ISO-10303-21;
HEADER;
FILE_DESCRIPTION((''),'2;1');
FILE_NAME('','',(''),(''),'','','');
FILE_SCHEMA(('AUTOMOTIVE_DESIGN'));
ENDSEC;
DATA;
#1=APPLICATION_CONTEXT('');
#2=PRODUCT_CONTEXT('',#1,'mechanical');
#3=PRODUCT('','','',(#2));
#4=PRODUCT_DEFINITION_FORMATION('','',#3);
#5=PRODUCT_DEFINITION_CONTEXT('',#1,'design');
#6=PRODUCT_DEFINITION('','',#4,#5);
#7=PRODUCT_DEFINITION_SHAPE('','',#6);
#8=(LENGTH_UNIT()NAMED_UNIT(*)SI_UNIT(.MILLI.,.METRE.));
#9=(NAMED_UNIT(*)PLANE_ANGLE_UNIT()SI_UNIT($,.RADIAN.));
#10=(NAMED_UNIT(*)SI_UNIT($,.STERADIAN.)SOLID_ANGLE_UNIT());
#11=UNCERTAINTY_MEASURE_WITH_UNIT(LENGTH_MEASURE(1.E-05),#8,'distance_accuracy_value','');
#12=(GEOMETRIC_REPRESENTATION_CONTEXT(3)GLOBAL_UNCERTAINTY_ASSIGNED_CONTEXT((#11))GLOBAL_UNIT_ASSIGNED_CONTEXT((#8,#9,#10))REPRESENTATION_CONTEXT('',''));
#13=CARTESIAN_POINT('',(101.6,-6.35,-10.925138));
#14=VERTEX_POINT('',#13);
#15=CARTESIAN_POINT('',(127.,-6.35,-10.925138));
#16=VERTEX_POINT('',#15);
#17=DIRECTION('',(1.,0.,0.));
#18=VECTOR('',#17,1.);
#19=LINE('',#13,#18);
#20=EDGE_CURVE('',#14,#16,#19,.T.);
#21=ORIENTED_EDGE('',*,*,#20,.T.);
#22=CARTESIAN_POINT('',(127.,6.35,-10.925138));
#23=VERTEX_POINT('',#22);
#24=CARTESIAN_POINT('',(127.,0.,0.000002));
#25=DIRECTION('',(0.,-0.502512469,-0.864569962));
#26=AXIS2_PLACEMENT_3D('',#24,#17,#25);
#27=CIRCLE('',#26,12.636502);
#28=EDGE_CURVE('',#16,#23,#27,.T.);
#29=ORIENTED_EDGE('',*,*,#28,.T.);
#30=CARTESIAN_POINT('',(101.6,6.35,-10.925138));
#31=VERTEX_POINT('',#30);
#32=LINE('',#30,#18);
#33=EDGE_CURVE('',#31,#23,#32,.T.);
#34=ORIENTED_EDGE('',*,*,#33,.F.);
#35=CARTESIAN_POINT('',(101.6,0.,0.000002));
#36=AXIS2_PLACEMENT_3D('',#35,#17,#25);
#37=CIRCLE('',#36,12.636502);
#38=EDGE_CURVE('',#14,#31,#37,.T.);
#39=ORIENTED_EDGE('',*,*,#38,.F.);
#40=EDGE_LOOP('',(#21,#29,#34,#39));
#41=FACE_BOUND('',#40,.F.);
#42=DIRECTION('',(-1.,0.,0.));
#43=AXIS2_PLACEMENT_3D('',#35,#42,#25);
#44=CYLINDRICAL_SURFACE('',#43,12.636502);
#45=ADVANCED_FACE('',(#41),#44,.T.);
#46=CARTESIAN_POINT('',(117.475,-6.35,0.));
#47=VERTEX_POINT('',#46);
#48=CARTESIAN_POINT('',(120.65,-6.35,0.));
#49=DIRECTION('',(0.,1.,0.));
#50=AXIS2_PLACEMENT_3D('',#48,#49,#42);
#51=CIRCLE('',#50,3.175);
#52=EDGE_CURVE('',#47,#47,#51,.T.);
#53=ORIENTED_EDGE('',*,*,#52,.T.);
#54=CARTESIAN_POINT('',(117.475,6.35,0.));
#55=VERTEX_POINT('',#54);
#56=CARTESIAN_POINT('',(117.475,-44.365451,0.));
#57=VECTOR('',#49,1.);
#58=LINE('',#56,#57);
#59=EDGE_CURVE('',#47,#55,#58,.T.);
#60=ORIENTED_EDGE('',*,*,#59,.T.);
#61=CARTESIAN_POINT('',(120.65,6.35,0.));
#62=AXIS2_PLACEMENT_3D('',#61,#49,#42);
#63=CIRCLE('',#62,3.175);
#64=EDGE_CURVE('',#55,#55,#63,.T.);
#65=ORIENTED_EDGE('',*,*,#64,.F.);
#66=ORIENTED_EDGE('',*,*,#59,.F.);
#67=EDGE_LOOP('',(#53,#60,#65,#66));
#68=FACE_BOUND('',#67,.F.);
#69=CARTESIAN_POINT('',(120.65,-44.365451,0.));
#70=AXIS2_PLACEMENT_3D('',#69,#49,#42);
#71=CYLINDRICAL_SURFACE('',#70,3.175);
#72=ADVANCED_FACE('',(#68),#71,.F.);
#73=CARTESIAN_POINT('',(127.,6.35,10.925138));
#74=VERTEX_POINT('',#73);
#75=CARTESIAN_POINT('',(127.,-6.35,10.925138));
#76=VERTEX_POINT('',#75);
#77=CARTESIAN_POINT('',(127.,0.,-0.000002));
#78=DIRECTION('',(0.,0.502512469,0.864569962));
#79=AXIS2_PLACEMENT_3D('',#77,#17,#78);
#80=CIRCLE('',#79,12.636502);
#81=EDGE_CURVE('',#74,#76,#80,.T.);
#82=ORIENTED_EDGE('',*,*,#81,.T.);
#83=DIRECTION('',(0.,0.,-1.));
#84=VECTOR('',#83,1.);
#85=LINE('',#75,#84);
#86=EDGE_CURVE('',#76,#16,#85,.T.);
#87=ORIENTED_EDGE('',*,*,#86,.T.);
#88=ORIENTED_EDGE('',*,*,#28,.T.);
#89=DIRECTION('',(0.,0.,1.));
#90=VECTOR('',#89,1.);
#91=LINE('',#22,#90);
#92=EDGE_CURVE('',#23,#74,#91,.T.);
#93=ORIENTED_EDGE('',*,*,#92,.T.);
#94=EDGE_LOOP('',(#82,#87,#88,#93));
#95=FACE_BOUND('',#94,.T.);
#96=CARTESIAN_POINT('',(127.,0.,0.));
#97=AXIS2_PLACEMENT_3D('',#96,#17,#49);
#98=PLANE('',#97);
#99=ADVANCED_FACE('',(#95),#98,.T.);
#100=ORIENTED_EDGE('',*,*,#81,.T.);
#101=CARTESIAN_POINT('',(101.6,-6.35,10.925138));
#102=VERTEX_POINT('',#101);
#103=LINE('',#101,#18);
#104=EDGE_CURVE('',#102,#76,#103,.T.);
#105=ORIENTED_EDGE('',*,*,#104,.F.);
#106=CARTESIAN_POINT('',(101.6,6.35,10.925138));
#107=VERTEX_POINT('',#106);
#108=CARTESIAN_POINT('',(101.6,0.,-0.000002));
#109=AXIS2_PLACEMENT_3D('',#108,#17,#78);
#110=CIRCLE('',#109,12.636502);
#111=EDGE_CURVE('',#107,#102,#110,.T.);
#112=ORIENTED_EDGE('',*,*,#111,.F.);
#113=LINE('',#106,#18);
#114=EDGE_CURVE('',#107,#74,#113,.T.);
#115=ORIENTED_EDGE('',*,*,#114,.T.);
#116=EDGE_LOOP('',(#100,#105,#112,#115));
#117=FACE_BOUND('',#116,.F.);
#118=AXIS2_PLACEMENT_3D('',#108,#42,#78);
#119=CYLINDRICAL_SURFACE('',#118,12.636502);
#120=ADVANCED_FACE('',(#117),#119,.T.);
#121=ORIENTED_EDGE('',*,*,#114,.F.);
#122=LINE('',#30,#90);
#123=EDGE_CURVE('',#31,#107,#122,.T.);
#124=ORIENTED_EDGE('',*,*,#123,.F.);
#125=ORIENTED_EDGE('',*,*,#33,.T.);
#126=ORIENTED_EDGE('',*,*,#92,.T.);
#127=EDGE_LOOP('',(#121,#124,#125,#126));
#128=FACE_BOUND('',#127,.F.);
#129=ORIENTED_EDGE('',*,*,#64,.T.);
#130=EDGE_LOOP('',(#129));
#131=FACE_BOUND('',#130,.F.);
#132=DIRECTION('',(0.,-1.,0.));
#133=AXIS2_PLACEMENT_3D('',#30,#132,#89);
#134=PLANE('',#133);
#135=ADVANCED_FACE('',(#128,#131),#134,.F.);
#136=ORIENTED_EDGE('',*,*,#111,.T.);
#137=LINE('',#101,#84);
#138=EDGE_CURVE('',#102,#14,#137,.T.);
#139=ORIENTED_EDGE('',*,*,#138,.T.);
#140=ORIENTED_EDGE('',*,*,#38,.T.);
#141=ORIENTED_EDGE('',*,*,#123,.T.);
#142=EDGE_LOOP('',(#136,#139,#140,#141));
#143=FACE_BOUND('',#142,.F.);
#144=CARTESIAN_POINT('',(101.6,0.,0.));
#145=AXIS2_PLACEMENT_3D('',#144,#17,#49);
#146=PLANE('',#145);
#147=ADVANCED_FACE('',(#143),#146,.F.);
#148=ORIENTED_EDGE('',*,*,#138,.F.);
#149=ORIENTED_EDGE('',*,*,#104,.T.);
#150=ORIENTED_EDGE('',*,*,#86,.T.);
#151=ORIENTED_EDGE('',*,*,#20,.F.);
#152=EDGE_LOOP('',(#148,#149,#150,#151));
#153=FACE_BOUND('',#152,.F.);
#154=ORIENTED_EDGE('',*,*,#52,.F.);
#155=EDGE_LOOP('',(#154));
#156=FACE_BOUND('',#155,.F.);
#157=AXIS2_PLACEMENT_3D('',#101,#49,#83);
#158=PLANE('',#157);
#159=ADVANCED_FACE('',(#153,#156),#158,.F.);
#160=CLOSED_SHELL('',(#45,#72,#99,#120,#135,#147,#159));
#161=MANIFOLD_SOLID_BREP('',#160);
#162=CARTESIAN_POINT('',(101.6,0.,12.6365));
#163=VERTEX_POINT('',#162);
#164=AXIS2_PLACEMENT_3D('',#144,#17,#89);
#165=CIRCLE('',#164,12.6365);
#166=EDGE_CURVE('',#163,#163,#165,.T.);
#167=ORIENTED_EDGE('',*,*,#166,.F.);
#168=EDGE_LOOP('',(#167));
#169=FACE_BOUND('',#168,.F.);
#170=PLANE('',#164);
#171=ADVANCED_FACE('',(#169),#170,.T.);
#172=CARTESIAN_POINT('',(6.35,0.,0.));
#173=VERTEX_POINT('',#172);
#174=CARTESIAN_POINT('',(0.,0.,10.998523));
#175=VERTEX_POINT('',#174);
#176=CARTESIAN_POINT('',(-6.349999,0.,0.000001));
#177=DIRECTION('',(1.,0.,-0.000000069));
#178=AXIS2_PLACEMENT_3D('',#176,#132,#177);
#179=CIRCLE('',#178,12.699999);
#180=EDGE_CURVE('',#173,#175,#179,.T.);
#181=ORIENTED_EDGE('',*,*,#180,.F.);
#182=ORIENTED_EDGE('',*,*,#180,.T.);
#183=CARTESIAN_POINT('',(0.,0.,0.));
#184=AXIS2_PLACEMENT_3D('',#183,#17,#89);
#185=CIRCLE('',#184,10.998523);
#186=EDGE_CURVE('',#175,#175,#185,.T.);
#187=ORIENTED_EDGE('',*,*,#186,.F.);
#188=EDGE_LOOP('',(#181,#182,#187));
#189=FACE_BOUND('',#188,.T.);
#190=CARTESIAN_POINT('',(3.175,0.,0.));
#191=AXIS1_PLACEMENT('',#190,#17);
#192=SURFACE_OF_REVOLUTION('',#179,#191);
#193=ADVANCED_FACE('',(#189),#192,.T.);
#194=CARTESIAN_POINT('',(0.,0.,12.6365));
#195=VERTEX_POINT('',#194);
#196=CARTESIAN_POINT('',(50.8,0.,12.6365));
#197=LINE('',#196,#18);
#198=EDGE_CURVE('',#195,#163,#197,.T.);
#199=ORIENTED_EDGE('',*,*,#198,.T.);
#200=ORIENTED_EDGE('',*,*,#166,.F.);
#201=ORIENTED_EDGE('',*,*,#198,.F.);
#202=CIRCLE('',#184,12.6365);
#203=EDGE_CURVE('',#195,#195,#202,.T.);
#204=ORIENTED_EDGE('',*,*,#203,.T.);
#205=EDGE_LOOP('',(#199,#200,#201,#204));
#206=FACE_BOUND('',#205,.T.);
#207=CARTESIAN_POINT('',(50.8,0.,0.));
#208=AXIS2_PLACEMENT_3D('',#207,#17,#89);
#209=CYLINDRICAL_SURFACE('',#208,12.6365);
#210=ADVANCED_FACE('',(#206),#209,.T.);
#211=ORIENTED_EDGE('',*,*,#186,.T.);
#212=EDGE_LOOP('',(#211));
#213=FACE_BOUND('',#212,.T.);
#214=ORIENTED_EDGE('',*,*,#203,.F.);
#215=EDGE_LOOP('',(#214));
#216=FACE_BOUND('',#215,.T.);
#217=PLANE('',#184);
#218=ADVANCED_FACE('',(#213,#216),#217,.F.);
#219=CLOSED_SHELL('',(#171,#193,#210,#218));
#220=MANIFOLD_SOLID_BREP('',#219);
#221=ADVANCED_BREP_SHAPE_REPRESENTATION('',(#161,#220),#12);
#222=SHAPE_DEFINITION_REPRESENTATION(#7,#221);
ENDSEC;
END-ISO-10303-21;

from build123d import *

# Parameters (mm, degrees)
F0_W     = 101.6
F0_H     = 12.6365
F5_DEPTH = 25.4
F7_D     = 6.35


with BuildPart() as f1:
    # F0 (on Front) → F1 (revolve)
    with BuildSketch(Plane.XZ):
        with Locations((50.8, 6.31825)):
            Rectangle(F0_W, F0_H)
    revolve(axis=Axis((117.01182, 0, 0), (1, 0, 0)))

    # F2 (on Front) → F3 (revolve, cut)
    with BuildSketch(Plane.XZ):
        with BuildLine():
            Line((0, 0), (6.35, 0))
            ThreePointArc((6.35, 0), (4.648523, 6.35), (0, 10.998523))
            Line((0, 10.998523), (0, 0))
        make_face()
    revolve(axis=Axis((3.175, 0, 0), (1, 0, 0)), mode=Mode.SUBTRACT)


with BuildPart() as f5:
    # F4 (on face) → F5 (new body)
    with BuildSketch(Plane.YZ.offset(101.6)):
        with BuildLine():
            ThreePointArc((6.35, 10.925138), (0, 12.6365), (-6.35, 10.925138))
            Line((-6.35, 10.925138), (-6.35, -10.925138))
            ThreePointArc((-6.35, -10.925138), (0, -12.6365), (6.35, -10.925138))
            Line((6.35, -10.925138), (6.35, 10.925138))
        make_face()
    extrude(amount=F5_DEPTH)

    # F7 (through all)
    with Locations(Plane.XZ.offset(6.35)):
        with Locations((120.65, 0)):
            Hole(F7_D / 2)


solid = Compound([f1.part, f5.part])
